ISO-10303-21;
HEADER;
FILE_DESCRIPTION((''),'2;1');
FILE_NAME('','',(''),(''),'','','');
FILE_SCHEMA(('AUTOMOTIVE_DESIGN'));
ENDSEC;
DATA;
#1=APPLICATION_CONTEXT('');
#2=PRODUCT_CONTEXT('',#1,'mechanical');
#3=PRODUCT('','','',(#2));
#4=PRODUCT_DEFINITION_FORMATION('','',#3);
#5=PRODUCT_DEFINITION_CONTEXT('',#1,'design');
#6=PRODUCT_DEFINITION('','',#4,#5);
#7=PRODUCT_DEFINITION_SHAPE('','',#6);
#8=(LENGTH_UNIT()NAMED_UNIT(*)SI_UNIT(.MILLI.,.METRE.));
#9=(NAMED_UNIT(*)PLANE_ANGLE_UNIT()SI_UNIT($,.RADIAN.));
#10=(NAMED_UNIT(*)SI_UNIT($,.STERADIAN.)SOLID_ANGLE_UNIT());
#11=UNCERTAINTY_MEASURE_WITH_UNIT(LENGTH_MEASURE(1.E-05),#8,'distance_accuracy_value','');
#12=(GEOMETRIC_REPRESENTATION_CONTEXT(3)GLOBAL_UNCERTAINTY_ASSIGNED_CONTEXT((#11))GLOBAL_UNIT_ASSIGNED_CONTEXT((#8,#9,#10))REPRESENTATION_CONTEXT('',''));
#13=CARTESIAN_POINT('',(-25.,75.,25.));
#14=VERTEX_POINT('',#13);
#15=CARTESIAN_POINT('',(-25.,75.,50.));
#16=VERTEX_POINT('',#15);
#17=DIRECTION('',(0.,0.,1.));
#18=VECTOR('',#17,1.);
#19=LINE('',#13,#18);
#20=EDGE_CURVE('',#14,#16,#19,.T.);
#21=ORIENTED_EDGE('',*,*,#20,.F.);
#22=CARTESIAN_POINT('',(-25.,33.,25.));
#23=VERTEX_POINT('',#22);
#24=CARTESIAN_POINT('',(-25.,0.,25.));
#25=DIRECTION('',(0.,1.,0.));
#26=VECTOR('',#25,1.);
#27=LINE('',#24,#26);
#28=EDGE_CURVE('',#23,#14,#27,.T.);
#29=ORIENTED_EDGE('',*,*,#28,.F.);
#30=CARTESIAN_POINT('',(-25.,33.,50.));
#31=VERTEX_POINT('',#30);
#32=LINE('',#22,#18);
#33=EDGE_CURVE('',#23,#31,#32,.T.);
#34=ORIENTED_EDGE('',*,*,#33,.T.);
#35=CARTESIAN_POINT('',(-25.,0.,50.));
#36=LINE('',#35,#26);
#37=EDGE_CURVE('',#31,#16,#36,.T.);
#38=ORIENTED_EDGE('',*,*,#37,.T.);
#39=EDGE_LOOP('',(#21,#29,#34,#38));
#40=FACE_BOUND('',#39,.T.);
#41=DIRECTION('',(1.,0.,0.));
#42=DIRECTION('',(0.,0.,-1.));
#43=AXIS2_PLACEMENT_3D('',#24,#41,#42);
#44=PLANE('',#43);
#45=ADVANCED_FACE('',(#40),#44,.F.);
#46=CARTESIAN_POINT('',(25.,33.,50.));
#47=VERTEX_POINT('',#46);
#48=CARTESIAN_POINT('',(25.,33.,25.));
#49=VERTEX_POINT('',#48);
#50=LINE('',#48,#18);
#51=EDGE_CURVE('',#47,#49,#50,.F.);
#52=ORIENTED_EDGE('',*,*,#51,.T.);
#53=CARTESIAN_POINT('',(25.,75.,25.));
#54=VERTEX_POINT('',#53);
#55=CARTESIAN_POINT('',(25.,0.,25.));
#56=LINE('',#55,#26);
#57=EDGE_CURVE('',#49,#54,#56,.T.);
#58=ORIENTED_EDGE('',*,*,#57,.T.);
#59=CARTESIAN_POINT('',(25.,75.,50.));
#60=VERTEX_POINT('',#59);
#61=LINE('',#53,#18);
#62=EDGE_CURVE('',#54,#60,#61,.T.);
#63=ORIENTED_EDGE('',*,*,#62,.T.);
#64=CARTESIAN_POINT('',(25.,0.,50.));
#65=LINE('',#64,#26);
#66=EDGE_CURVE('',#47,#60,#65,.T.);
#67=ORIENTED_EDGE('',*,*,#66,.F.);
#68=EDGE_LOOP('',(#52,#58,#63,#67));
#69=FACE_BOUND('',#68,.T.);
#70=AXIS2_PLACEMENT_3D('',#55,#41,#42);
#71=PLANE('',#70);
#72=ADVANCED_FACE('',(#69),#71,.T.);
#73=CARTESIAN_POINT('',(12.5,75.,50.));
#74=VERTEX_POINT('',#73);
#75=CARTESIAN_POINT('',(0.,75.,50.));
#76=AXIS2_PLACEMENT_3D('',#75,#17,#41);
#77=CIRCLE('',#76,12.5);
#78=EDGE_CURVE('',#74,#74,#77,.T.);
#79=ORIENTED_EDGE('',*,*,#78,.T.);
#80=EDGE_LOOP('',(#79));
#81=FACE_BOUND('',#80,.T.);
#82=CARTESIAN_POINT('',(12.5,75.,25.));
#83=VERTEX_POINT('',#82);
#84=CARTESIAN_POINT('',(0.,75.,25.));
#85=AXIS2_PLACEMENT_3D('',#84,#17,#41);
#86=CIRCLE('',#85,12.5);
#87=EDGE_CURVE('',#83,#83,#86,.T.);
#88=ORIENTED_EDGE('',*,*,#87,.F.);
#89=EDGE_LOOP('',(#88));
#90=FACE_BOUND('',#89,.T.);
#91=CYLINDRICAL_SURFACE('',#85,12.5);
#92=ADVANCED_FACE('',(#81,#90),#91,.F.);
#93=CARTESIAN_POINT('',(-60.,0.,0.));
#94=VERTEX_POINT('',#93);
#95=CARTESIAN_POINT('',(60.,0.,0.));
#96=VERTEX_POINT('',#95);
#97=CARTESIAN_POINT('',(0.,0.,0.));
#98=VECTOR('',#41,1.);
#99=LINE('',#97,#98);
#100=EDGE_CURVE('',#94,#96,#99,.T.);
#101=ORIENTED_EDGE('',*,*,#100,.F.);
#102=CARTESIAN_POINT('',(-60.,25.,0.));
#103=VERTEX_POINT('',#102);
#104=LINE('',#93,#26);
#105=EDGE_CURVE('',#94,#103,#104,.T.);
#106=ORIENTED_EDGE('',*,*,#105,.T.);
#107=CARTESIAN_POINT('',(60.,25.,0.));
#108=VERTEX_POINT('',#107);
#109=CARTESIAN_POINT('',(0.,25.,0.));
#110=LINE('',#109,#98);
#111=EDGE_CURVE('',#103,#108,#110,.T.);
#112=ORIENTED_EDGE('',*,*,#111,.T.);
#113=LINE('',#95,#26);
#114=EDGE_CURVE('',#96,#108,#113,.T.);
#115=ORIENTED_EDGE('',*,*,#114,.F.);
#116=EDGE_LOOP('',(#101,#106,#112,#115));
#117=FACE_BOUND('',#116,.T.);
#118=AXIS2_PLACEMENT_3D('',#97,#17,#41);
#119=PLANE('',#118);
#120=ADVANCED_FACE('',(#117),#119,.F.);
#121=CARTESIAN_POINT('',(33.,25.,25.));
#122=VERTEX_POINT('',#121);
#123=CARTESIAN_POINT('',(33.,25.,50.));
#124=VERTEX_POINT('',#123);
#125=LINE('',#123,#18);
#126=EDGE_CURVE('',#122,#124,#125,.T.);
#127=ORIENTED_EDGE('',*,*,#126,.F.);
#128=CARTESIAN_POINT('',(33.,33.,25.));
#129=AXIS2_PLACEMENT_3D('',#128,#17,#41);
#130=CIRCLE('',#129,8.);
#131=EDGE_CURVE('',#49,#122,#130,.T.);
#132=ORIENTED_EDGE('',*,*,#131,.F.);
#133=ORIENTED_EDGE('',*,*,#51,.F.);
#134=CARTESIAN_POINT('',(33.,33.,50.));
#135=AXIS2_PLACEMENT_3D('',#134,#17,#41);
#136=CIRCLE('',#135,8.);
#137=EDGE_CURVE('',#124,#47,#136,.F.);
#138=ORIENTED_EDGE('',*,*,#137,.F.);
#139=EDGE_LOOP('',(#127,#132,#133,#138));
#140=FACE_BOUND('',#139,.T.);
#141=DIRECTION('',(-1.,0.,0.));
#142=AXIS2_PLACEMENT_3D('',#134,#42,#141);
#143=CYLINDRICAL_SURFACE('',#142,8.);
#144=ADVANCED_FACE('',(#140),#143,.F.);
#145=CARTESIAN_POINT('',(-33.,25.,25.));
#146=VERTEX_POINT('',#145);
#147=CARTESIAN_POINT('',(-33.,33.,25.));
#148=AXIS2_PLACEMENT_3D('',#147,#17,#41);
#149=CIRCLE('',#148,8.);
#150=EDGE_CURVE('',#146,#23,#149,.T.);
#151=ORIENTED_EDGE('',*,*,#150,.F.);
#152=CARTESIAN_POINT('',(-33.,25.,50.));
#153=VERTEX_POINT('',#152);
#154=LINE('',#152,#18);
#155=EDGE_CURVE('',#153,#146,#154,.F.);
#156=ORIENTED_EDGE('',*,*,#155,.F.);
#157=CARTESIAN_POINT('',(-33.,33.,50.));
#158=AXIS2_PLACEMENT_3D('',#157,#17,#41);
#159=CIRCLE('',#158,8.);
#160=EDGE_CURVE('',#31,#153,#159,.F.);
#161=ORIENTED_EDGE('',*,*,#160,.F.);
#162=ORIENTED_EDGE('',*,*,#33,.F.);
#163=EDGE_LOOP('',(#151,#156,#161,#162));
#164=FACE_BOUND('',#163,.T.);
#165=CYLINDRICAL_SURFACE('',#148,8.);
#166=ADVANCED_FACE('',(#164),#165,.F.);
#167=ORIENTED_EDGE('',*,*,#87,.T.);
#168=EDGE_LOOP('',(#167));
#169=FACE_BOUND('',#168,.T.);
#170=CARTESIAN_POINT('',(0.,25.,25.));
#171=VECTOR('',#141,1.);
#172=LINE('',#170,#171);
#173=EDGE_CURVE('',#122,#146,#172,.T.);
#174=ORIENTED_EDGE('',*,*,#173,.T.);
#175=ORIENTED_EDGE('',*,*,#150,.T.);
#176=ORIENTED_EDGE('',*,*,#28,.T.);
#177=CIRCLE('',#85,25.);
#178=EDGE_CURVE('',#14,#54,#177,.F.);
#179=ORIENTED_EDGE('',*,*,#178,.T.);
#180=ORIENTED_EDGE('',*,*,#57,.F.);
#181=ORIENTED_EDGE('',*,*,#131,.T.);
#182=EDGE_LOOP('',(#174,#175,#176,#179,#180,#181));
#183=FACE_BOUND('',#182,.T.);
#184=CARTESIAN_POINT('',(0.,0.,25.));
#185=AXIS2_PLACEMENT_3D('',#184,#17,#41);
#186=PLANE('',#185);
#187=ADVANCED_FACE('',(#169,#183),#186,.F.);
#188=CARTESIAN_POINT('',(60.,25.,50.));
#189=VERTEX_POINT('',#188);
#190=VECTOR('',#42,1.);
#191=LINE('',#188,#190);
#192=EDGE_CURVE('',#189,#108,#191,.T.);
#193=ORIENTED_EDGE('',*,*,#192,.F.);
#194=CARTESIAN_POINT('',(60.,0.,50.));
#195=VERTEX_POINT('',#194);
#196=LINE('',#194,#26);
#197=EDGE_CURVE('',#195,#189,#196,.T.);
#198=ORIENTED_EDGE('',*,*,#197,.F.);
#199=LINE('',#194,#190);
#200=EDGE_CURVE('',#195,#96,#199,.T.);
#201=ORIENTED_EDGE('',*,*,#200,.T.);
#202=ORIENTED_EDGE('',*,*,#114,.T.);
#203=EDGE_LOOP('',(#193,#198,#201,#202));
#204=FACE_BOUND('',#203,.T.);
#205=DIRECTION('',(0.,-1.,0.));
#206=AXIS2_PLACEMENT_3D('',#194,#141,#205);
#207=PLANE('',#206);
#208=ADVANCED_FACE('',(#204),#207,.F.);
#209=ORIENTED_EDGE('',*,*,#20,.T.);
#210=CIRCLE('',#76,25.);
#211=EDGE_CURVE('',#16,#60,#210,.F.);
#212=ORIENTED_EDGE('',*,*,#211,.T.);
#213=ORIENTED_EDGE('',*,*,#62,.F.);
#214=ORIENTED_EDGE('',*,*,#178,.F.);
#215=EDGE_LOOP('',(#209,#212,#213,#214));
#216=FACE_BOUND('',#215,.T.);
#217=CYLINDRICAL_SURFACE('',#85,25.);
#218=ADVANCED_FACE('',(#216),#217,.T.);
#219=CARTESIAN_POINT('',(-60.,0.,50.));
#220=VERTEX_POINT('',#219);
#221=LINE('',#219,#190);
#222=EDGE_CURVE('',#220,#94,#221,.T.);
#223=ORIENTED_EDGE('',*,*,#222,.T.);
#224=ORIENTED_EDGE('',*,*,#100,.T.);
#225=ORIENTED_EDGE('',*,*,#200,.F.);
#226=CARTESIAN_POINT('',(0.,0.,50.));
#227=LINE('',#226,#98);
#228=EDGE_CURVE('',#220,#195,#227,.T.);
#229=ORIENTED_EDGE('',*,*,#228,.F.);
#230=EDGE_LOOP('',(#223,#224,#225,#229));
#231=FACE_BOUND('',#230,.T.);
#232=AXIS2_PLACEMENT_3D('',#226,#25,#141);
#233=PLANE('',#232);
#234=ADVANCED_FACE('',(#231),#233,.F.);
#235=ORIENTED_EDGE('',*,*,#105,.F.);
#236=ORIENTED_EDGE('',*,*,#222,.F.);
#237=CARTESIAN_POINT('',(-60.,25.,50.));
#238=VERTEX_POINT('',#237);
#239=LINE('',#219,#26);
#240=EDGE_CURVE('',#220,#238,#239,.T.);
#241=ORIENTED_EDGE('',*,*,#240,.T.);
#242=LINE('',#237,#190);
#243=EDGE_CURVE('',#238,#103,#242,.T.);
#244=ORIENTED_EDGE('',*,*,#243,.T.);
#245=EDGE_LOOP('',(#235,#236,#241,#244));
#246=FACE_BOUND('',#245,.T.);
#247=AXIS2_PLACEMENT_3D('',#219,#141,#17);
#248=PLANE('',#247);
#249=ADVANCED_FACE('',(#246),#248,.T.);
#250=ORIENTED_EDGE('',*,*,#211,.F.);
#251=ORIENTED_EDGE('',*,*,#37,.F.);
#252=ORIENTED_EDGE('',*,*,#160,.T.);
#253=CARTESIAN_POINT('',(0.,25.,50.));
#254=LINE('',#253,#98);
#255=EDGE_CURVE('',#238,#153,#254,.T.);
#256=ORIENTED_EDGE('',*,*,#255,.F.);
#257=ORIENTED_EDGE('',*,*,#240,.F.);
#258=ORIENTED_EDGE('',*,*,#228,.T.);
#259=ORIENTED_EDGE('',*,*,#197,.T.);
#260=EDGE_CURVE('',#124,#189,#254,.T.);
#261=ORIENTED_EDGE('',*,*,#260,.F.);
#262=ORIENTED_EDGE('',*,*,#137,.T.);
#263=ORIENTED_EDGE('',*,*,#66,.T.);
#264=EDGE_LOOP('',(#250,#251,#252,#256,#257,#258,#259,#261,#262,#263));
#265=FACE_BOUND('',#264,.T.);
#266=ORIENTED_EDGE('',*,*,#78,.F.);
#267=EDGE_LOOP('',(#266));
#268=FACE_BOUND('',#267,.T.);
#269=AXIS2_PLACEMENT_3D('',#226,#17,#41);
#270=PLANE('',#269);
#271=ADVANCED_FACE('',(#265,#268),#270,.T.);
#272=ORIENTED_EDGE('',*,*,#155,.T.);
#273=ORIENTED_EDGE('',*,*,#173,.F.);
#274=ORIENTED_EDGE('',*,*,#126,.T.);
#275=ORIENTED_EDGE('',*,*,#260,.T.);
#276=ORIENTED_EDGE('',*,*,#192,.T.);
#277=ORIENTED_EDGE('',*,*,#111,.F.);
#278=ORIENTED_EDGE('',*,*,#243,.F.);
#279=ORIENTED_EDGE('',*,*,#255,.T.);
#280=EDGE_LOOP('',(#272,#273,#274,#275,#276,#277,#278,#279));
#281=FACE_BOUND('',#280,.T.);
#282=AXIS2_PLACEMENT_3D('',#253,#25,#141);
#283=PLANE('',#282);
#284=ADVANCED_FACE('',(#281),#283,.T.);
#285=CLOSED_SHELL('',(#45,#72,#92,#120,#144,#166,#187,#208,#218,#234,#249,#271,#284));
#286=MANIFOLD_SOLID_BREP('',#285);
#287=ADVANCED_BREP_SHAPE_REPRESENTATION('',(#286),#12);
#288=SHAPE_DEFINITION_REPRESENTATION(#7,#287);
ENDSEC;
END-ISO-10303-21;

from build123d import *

# Parameters (mm, degrees)
BOSS_EXTRUDE3_DEPTH = 50
SKETCH3_R           = 12.5
BOSS_EXTRUDE4_DEPTH = 25
FILLET1_R           = 8


with BuildPart() as part:
    # Sketch1 → Boss-Extrude3 (new body)
    with BuildSketch(Plane.XY):
        Polygon((25, 25), (0, 25), (0, 0), (60, 0), (60, 25), align=None)
        Polygon((0, 0), (0, 25), (-25, 25), (-60, 25), (-60, 0), align=None)
    extrude(amount=BOSS_EXTRUDE3_DEPTH)

    # Sketch3 → Boss-Extrude4 (add)
    with BuildSketch(Plane.XY.offset(50)):
        with BuildLine():
            Line((-25, 75), (-25, 25))
            Line((-25, 25), (25, 25))
            Line((25, 25), (25, 75))
            ThreePointArc((25, 75), (0, 100), (-25, 75))
        make_face()
        with Locations((0, 75)):
            Circle(SKETCH3_R, mode=Mode.SUBTRACT)
    extrude(amount=-BOSS_EXTRUDE4_DEPTH)

    # Fillet1
    fillet1_edges = [part.edges().sort_by_distance(p)[0] for p in [
        (25, 25, 37.5),
        (-25, 25, 37.5),
    ]]
    fillet(fillet1_edges, radius=FILLET1_R)


solid = part.part
